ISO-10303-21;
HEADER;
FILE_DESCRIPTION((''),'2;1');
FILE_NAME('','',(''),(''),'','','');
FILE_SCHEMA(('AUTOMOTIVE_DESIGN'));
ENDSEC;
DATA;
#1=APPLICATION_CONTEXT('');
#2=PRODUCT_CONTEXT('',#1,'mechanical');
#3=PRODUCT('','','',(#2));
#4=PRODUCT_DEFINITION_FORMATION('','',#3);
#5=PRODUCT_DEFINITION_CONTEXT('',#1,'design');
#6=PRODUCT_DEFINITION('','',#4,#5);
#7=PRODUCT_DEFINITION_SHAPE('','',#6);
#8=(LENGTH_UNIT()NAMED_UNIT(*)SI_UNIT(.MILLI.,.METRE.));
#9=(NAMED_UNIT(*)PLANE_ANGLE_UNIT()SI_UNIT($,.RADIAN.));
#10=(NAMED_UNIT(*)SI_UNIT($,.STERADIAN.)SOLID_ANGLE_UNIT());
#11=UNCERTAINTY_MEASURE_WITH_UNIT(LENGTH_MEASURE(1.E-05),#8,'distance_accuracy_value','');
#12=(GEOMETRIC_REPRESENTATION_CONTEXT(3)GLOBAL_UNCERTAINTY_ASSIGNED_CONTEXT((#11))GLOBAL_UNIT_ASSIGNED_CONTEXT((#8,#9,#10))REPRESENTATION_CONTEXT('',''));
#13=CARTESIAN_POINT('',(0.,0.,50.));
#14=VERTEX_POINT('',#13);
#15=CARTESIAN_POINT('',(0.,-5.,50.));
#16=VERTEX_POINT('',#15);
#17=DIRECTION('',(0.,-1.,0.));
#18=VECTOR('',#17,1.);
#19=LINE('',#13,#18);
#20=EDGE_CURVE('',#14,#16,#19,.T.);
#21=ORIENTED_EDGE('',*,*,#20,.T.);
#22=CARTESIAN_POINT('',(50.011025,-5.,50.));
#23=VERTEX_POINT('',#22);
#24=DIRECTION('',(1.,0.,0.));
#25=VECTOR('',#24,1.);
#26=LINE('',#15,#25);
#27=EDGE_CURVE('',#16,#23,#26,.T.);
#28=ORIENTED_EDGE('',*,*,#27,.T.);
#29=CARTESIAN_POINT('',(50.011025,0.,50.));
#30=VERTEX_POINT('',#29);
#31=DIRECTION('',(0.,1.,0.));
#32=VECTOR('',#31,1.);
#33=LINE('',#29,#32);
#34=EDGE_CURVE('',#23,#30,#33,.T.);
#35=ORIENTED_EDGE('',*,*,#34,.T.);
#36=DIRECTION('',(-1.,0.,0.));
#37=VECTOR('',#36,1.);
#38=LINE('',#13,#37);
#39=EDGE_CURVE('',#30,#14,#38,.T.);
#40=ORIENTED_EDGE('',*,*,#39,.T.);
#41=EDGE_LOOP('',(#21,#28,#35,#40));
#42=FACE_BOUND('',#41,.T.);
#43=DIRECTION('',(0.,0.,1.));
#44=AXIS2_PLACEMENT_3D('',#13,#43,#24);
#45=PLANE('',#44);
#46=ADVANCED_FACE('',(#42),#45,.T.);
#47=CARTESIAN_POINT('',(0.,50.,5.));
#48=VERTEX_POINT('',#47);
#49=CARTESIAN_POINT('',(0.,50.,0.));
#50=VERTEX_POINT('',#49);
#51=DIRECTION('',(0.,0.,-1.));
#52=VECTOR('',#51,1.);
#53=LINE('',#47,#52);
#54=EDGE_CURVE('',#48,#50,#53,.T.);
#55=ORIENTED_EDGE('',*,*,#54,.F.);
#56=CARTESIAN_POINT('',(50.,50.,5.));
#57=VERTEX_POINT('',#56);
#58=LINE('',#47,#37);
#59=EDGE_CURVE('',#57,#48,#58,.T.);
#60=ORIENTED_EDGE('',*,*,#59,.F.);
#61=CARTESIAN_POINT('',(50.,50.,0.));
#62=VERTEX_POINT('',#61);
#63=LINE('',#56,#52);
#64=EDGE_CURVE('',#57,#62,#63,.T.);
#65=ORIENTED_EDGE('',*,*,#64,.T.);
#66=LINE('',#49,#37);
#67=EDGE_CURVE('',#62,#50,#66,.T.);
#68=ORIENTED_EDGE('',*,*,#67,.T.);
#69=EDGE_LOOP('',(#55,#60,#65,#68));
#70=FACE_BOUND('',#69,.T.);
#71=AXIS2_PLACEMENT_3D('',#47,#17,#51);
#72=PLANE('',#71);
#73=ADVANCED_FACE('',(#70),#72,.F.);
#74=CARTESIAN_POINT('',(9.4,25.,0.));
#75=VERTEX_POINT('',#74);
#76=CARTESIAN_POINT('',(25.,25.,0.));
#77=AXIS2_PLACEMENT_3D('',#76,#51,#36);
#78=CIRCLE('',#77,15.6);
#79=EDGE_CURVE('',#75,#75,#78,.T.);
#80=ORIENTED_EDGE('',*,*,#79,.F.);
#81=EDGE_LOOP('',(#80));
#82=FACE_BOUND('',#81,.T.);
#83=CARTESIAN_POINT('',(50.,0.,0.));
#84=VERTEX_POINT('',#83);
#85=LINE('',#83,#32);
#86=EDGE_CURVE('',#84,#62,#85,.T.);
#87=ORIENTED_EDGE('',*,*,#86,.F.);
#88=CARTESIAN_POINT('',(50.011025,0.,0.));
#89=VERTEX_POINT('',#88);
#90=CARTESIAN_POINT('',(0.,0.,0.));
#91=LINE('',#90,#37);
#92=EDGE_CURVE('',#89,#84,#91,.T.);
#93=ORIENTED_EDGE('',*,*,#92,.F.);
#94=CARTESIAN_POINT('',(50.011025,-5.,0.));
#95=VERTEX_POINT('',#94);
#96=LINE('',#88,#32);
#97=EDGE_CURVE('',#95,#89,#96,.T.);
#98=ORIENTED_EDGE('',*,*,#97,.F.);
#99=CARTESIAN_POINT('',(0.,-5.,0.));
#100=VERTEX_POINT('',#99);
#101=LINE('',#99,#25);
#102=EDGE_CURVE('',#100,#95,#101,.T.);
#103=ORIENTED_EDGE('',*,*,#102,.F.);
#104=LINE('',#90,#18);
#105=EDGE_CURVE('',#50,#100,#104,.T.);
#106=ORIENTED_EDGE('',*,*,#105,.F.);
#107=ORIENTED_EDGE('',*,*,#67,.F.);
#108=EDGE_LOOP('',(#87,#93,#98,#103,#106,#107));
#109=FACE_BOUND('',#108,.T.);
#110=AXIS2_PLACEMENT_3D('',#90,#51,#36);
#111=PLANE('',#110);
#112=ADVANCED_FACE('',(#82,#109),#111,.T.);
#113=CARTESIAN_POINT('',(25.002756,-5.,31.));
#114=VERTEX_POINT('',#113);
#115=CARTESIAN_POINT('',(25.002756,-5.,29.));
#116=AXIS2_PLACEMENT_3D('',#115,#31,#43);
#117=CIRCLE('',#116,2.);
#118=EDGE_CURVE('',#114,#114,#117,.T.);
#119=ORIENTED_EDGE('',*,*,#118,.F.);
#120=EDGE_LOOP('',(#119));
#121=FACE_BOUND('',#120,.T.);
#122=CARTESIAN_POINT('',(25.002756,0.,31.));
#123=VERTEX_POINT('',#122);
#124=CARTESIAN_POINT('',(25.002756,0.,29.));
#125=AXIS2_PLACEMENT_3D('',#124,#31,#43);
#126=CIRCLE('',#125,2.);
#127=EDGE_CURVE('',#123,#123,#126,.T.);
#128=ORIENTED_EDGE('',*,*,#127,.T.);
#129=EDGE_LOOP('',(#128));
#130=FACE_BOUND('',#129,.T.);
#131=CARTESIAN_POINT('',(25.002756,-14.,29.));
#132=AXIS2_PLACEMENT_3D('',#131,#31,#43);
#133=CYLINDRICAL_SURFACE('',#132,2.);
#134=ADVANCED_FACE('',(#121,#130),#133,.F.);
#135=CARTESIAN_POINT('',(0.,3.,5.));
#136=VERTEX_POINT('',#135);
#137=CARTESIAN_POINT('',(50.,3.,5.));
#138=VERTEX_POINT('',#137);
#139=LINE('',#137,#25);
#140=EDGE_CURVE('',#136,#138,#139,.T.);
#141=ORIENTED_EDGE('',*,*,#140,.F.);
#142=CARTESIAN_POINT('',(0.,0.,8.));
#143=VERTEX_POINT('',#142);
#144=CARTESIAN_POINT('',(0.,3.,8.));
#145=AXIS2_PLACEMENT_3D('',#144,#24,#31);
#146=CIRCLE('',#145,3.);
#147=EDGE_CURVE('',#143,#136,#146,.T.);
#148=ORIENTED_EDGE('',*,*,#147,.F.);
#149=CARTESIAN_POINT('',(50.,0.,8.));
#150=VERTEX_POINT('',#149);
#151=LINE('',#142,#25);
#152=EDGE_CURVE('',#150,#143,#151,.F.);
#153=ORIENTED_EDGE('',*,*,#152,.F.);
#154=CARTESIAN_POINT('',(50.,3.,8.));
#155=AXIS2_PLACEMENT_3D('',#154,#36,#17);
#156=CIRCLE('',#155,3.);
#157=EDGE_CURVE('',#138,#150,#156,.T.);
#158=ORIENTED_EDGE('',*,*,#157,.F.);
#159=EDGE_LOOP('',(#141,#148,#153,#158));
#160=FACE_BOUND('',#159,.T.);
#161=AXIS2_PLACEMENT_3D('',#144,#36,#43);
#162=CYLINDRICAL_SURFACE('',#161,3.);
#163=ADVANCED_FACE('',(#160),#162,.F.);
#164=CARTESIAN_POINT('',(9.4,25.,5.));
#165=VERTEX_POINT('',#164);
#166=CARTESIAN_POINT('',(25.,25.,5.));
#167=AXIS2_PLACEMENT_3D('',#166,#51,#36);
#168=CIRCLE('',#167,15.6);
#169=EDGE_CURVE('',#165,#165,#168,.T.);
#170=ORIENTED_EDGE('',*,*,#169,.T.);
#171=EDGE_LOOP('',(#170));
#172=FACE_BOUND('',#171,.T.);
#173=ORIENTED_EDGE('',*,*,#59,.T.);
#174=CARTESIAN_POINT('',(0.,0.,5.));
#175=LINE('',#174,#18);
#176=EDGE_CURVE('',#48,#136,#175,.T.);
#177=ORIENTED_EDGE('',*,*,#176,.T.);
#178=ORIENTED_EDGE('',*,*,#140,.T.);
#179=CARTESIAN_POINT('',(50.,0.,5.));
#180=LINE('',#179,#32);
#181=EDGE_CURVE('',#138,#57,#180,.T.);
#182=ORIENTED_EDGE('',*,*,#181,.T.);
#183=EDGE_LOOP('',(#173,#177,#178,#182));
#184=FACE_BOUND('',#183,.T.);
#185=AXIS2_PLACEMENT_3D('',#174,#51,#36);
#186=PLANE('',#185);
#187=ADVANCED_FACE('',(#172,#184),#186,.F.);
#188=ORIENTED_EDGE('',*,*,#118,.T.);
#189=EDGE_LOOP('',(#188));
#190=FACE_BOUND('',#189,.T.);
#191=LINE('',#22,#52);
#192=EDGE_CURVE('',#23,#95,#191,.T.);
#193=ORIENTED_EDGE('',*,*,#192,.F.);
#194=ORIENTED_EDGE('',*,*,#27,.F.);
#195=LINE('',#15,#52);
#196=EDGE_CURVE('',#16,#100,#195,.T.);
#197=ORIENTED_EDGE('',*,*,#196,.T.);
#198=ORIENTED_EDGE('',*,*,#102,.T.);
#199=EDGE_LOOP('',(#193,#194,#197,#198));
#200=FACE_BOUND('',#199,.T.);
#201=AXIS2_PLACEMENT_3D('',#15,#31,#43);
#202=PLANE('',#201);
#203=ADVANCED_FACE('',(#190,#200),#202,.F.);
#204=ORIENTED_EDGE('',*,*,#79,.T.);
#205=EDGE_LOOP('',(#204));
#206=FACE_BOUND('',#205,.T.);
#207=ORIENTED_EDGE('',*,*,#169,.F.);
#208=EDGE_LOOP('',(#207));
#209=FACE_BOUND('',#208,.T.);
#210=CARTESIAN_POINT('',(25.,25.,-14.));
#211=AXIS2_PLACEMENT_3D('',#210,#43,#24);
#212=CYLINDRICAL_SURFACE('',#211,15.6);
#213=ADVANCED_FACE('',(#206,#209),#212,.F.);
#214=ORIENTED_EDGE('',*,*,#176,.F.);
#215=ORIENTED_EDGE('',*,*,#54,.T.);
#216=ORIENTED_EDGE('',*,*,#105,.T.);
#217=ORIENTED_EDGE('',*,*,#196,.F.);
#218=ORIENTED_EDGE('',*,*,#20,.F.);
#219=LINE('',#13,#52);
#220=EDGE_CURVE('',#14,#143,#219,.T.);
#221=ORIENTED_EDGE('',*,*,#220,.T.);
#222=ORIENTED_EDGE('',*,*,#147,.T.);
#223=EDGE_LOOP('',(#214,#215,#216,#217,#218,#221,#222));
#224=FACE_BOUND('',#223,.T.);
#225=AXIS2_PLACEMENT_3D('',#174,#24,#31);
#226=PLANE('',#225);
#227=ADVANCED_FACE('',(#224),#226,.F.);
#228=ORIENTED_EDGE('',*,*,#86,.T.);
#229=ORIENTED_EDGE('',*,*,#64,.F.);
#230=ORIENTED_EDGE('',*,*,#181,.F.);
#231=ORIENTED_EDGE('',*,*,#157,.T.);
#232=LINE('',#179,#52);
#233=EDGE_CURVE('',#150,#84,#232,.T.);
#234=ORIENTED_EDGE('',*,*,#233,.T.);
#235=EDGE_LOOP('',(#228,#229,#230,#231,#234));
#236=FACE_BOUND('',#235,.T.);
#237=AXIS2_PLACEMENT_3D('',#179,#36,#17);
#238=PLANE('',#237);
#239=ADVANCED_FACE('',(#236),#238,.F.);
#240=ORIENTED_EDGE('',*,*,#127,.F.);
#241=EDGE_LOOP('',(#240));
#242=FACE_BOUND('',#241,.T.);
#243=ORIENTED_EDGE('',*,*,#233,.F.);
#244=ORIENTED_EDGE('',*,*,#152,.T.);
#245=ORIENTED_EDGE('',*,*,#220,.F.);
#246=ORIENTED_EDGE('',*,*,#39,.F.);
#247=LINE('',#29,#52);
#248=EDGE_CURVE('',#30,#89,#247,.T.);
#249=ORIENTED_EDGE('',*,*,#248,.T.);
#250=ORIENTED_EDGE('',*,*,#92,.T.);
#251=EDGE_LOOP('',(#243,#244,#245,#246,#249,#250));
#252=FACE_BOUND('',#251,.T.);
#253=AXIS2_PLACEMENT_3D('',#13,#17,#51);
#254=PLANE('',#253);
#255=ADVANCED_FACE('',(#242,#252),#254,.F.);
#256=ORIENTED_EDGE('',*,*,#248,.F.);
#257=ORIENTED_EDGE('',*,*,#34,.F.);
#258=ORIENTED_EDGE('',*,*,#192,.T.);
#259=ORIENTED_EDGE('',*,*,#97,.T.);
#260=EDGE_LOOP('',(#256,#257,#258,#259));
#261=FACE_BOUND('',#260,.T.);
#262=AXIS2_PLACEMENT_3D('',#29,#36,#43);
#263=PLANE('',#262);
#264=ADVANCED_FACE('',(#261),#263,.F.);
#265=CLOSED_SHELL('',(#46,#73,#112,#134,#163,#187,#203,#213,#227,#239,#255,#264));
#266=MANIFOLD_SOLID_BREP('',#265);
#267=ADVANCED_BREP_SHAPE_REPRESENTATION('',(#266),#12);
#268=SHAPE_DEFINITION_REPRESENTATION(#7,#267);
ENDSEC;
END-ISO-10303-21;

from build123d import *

# Parameters (mm, degrees)
ESBO_O1_W                  = 50
ESBO_O1_H                  = 50
RESSALTO_EXTRUS_O1_DEPTH   = 5
ESBO_O2_R                  = 15.6
CORTE_EXTRUS_O1_DEPTH      = 8
CORTE_EXTRUS_O1_DEPTH_BACK = 14
ESBO_O3_W                  = 50.011024838
ESBO_O3_H                  = 5
RESSALTO_EXTRUS_O2_DEPTH   = 50
FILETE1_R                  = 3
ESBO_O5_R                  = 2
CORTE_EXTRUS_O4_DEPTH      = 14


with BuildPart() as part:
    # Esboço1 → Ressalto-extrusão1 (new body)
    with BuildSketch(Plane.XY):
        with Locations((25, 25)):
            Rectangle(ESBO_O1_W, ESBO_O1_H)
    extrude(amount=RESSALTO_EXTRUS_O1_DEPTH)

    # Esboço2 → Corte-extrusão1 (cut, two sides)
    with BuildSketch(Plane.XY) as corte_extrus_o1_sk:
        with Locations((25, 25)):
            Circle(ESBO_O2_R)
    extrude(amount=CORTE_EXTRUS_O1_DEPTH, mode=Mode.SUBTRACT)
    extrude(corte_extrus_o1_sk.sketch, amount=-CORTE_EXTRUS_O1_DEPTH_BACK, mode=Mode.SUBTRACT)

    # Esboço3 → Ressalto-extrusão2 (add)
    with BuildSketch(Plane.XY):
        with Locations((25.005512419, -2.5)):
            Rectangle(ESBO_O3_W, ESBO_O3_H)
    extrude(amount=RESSALTO_EXTRUS_O2_DEPTH)

    # Filete1
    filete1_edges = [part.edges().sort_by_distance(p)[0] for p in [
        (25, 0, 5),
    ]]
    fillet(filete1_edges, radius=FILETE1_R)

    # Esboço5 → Corte-extrusão4 (cut)
    with BuildSketch(Plane(origin=(0, 0, 0), x_dir=(1, 0, 0), z_dir=(0, 1, 0))):
        with Locations((25.002756209, -29)):
            Circle(ESBO_O5_R)
    extrude(amount=-CORTE_EXTRUS_O4_DEPTH, mode=Mode.SUBTRACT)


solid = part.part
